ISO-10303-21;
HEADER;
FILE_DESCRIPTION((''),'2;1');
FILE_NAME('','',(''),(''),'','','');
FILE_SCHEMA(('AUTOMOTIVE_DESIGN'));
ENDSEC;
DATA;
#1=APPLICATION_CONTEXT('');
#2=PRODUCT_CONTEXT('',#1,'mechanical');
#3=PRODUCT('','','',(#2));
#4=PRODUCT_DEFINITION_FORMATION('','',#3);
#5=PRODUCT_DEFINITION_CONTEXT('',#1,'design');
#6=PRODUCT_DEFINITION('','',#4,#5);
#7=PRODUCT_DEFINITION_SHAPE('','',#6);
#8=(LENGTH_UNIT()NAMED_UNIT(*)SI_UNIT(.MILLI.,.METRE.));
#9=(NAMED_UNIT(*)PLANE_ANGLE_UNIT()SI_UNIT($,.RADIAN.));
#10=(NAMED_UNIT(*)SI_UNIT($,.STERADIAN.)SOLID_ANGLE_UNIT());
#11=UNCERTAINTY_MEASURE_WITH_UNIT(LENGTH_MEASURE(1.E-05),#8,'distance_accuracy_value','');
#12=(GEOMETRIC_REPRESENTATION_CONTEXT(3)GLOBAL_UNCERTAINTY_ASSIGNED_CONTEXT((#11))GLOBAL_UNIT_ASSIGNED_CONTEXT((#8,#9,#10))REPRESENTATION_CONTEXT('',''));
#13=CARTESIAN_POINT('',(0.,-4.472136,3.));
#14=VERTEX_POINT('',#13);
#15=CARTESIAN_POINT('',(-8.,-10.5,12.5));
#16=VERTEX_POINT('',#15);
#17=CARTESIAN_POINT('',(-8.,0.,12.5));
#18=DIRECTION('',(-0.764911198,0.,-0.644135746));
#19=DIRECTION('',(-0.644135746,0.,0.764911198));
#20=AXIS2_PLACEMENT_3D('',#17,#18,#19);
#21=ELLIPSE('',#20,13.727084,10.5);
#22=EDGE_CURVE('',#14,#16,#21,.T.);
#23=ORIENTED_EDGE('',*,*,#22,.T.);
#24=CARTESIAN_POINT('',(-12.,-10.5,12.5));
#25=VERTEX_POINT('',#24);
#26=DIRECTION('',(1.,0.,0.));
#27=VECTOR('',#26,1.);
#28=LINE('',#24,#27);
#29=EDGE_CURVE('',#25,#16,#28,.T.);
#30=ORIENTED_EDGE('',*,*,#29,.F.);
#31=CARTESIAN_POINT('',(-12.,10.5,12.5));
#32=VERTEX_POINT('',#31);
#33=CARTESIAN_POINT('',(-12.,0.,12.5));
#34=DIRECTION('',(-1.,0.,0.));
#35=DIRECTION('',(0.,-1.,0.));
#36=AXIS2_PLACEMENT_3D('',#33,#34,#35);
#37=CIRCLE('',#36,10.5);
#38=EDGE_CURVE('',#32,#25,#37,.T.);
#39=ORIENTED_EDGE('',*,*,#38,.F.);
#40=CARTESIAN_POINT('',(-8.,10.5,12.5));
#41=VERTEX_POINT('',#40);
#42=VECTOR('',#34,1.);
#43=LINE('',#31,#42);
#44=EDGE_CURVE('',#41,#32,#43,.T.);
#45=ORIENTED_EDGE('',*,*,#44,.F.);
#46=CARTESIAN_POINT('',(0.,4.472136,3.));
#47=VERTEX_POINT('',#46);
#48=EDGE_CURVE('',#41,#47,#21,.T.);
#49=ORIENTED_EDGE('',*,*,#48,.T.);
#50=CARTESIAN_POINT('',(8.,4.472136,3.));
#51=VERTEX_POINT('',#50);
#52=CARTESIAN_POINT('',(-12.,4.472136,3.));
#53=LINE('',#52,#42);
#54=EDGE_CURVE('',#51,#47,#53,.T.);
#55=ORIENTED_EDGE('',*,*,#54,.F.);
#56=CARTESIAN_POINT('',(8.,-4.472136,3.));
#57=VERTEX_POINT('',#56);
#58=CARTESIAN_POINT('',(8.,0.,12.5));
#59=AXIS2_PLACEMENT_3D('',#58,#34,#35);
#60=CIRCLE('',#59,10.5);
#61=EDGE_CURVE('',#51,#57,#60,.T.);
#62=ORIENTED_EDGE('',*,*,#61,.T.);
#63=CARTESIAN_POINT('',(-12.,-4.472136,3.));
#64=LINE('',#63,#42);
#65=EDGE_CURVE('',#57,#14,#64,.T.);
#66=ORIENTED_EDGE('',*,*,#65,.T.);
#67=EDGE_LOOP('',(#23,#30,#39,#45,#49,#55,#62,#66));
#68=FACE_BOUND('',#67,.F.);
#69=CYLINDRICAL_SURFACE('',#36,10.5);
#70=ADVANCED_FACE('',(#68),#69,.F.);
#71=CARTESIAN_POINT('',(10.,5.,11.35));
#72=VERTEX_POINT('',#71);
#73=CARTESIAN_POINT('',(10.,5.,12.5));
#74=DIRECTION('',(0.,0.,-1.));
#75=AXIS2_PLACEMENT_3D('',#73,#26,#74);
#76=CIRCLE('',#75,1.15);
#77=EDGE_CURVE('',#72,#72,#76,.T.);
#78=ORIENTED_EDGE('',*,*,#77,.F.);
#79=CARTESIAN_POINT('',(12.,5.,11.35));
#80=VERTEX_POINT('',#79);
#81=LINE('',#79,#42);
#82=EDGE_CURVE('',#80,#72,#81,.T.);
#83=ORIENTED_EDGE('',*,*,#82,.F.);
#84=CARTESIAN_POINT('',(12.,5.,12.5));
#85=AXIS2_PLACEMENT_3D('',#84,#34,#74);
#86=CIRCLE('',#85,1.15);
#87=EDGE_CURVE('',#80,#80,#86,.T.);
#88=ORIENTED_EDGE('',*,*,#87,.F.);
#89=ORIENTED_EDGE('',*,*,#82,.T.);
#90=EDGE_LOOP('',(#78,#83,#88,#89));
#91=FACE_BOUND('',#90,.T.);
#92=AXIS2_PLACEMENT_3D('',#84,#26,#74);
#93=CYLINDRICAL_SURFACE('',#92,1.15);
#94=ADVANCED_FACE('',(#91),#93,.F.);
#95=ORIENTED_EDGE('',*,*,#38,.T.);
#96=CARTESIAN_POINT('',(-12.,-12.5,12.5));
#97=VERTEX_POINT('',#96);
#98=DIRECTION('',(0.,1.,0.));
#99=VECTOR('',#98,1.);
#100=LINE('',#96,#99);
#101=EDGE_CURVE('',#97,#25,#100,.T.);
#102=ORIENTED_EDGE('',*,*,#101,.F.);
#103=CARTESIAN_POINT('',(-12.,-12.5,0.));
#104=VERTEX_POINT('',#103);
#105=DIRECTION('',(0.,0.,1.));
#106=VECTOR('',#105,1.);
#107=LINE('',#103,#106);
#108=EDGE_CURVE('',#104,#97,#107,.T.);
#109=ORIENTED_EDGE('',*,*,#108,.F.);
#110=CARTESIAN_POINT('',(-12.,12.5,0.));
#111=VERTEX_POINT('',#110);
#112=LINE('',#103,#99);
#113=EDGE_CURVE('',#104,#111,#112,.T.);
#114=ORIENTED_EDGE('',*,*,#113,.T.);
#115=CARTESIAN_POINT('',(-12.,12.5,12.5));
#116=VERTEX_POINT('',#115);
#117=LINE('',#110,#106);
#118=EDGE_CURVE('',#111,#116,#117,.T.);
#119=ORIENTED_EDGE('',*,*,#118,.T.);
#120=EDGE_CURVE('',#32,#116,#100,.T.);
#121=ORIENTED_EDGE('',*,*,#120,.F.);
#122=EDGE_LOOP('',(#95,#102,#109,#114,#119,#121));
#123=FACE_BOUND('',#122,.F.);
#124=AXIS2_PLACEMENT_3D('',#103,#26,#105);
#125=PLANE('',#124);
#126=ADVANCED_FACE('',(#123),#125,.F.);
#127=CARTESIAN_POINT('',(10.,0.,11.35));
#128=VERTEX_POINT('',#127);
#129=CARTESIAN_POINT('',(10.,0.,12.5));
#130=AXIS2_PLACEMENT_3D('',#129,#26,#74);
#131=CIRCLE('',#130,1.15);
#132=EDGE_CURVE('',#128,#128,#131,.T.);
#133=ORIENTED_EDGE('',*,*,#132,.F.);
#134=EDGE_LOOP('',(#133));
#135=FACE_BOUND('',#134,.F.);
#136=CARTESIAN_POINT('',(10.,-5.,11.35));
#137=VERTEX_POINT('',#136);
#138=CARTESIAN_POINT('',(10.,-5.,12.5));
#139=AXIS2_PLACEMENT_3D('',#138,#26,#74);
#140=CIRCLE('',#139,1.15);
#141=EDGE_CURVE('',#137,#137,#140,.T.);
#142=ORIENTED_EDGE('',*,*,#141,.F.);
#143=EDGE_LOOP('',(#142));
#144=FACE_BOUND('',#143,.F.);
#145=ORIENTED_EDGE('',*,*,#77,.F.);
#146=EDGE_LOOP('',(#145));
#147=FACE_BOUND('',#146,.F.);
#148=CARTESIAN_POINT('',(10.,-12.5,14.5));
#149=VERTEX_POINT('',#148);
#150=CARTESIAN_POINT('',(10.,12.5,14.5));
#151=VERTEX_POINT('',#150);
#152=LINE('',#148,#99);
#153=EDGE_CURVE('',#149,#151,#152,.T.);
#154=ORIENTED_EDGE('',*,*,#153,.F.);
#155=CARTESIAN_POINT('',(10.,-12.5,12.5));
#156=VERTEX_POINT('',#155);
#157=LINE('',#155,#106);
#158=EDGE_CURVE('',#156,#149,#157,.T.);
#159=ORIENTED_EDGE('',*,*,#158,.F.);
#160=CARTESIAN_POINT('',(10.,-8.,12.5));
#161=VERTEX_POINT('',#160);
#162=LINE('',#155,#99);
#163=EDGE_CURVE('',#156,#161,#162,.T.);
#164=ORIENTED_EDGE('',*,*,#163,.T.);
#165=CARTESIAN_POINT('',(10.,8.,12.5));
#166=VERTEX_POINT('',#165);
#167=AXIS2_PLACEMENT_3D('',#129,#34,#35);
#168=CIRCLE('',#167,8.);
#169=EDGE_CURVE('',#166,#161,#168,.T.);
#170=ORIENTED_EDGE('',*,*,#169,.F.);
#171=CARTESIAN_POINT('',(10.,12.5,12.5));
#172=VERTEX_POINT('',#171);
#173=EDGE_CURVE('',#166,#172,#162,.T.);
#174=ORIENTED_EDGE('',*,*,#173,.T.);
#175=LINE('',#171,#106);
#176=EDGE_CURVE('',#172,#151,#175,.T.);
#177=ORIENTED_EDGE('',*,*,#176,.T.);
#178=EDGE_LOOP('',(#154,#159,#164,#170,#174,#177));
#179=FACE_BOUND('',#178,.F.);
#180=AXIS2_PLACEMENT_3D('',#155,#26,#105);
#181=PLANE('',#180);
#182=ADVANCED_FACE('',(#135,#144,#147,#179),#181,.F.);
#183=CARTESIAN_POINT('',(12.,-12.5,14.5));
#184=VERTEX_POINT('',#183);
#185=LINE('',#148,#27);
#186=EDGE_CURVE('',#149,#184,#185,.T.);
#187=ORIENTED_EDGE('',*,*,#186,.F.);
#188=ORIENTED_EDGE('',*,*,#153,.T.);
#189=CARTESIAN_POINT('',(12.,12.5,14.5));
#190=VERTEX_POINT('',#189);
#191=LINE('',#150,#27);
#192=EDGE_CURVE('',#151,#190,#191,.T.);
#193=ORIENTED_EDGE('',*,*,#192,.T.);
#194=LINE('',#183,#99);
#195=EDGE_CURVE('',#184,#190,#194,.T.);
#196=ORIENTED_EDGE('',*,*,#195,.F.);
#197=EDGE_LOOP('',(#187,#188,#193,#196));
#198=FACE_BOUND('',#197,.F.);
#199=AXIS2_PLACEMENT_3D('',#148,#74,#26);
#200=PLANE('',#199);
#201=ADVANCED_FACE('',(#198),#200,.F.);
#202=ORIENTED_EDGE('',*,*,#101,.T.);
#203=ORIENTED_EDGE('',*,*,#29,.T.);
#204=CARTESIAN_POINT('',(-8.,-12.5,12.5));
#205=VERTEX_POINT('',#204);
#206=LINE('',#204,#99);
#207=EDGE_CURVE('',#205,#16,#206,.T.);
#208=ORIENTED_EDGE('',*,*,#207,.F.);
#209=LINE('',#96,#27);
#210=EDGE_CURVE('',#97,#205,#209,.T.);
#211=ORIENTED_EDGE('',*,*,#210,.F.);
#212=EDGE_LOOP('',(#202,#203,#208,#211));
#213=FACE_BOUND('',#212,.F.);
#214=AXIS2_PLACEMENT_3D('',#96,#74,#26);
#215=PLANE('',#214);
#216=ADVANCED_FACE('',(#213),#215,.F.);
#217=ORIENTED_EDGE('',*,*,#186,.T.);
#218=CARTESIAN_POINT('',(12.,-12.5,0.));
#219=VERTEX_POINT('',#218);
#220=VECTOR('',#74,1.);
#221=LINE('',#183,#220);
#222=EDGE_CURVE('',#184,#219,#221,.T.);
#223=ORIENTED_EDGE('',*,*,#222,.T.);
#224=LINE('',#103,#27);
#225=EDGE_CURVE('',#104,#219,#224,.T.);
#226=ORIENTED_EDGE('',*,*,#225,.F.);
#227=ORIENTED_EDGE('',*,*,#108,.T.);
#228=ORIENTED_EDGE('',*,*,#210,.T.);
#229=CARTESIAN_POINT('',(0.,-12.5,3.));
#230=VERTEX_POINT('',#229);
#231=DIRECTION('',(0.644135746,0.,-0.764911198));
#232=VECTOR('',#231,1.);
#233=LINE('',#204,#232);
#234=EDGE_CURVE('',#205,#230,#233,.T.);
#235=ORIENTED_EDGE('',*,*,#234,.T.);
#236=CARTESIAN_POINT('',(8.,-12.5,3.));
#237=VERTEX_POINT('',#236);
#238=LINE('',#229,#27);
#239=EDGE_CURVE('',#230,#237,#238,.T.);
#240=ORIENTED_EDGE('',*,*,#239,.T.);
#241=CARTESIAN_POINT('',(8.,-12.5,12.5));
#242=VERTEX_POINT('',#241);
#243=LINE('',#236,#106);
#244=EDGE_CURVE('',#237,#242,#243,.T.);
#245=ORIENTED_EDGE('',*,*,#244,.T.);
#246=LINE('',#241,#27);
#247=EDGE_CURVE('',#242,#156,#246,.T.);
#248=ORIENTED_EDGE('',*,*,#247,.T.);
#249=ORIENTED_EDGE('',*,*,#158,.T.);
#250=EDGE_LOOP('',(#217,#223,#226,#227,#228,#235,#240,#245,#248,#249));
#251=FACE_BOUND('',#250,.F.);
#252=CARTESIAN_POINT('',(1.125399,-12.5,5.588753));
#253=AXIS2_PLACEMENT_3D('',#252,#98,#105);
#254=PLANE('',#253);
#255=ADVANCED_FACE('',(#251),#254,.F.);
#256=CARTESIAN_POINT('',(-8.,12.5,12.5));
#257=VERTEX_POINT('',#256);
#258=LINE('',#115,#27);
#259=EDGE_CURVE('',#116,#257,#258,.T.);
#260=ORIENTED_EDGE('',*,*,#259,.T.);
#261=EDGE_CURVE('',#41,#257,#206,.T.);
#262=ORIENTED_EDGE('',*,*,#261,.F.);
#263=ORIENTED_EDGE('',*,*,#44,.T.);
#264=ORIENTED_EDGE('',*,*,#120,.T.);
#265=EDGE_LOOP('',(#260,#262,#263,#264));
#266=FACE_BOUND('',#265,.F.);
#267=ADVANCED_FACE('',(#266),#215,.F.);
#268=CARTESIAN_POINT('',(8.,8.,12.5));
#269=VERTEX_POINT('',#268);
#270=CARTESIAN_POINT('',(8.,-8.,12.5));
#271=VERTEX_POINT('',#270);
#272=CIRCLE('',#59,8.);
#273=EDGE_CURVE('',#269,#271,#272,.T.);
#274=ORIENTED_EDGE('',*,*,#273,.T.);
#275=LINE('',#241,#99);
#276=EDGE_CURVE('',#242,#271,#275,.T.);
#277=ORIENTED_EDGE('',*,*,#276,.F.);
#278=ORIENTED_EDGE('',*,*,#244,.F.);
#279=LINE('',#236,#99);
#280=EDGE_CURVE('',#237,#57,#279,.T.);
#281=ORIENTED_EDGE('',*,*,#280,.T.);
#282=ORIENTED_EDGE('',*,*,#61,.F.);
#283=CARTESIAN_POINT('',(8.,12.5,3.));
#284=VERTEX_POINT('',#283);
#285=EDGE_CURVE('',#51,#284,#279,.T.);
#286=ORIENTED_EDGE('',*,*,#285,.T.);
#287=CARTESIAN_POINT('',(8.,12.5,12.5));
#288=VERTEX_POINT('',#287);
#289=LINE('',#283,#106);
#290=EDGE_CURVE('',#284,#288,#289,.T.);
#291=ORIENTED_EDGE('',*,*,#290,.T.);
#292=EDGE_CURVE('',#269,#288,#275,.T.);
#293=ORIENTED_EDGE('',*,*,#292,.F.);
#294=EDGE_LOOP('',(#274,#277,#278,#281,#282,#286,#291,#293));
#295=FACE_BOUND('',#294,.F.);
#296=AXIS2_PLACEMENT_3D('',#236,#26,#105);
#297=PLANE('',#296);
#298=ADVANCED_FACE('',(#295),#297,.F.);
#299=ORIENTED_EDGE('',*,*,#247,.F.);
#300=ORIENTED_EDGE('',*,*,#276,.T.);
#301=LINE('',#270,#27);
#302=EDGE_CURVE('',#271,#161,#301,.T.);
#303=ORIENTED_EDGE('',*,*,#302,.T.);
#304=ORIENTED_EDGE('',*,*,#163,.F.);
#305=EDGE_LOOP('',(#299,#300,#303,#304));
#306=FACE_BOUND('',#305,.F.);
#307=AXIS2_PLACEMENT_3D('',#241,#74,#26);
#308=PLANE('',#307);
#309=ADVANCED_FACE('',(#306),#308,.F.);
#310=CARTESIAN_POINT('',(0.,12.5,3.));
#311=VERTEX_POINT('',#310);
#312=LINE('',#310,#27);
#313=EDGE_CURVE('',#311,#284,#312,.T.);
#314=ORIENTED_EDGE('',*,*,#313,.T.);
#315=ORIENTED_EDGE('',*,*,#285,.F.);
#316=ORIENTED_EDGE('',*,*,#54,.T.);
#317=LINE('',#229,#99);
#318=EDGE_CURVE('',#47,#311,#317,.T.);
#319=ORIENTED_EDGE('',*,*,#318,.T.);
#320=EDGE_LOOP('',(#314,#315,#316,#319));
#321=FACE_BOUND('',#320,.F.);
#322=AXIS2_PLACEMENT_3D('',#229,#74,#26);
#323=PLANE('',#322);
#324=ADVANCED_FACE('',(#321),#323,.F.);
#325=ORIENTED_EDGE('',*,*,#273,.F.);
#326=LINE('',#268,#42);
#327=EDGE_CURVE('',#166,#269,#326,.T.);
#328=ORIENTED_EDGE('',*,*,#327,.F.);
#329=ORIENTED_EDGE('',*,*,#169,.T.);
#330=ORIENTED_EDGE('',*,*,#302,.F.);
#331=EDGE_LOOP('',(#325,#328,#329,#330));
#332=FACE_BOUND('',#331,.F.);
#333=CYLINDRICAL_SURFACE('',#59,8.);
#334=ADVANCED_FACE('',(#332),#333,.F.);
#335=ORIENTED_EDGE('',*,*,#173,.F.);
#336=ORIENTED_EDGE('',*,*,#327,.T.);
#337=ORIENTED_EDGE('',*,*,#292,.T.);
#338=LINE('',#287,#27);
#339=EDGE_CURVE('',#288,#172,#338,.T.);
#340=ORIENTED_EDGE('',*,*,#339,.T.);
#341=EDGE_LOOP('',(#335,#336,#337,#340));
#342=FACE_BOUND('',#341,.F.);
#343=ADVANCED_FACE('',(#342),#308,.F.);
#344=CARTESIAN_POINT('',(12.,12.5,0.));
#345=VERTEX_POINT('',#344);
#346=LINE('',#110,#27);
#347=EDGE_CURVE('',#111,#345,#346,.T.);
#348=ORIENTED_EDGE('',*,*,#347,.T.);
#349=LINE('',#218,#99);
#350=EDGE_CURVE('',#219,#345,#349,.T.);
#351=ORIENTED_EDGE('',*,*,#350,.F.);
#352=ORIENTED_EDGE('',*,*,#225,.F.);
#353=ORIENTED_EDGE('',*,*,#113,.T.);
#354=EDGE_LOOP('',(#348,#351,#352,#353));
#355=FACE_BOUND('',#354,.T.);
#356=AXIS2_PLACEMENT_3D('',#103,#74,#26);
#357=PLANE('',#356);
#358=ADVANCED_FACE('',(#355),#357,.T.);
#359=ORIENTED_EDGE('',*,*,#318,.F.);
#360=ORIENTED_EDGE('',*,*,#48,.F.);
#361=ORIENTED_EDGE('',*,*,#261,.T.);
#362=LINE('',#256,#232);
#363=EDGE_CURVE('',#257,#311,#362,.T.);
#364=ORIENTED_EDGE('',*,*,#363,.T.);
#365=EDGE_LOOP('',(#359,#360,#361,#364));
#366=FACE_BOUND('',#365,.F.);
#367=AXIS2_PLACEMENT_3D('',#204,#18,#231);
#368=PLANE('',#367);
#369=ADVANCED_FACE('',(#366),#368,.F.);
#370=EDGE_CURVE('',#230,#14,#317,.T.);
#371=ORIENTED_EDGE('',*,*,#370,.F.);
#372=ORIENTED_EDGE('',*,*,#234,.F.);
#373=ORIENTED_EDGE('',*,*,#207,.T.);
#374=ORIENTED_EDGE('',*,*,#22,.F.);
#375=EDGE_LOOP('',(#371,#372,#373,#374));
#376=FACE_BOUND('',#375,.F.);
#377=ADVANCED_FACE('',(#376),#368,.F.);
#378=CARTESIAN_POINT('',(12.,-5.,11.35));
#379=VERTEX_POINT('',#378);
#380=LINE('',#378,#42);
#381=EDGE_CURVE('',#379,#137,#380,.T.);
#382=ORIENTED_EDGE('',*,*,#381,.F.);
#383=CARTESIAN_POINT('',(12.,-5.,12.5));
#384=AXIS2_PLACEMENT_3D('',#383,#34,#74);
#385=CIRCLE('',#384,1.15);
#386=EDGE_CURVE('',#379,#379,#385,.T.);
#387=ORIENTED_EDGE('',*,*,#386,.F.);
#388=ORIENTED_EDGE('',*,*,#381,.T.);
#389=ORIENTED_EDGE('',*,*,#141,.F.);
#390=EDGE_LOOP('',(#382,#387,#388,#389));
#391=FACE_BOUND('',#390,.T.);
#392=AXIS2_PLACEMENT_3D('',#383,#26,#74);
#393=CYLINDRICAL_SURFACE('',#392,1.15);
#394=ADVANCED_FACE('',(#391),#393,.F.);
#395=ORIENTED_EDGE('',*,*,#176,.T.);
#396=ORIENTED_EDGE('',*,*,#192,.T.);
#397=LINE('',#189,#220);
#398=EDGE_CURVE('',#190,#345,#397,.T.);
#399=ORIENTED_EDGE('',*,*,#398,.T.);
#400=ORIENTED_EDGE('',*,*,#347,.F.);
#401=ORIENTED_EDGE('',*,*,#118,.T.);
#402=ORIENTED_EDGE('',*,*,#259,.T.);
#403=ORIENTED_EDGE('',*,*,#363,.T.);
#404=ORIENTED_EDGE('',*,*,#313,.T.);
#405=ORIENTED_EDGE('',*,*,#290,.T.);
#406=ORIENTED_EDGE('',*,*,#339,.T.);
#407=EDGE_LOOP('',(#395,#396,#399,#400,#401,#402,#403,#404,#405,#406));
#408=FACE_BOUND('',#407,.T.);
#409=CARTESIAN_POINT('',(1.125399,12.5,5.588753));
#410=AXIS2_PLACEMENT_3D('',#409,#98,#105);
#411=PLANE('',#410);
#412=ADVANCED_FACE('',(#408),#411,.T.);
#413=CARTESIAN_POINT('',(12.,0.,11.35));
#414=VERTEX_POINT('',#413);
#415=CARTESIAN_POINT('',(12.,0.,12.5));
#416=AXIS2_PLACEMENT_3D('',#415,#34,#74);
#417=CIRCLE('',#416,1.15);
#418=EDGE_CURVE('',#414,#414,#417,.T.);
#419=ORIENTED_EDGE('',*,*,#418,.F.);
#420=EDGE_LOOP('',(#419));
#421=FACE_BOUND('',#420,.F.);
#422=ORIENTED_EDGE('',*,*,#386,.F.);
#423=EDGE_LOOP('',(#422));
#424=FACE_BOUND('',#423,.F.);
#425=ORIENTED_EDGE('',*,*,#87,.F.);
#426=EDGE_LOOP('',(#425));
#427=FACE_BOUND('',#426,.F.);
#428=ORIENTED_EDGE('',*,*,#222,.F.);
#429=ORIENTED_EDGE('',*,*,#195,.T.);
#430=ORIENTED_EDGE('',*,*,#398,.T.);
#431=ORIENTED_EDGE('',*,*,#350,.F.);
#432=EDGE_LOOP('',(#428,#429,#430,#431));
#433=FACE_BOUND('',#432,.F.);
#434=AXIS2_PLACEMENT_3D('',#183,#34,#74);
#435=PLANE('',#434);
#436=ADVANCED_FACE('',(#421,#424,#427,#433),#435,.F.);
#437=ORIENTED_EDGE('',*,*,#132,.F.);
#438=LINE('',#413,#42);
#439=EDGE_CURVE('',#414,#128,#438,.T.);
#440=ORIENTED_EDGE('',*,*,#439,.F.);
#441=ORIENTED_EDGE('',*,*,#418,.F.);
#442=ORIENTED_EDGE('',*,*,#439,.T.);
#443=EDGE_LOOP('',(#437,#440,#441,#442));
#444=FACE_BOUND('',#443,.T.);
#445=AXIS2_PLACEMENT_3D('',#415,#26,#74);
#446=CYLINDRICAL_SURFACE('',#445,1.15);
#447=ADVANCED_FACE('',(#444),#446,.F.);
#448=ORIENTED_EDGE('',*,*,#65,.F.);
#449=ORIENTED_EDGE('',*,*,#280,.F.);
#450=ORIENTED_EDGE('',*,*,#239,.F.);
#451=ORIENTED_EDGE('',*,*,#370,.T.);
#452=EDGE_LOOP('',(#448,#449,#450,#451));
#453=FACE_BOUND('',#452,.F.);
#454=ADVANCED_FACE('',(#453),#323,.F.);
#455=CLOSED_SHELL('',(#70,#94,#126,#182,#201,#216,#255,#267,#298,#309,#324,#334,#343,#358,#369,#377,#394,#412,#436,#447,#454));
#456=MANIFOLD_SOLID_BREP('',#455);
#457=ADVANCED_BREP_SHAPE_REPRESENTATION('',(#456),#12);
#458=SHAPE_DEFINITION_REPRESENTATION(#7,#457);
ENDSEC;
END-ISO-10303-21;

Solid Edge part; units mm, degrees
sketch "Sketch1" plane through (0, -12.5, 0) normal (0, -1, 0) x (1, 0, 0)
  line L0 (-12, 0) -> (-12, 12.5)
  line L1 (-12, 12.5) -> (-8, 12.5)
  line L2 (-8, 12.5) -> (0, 3)
  line L3 (0, 3) -> (8, 3)
  line L4 (8, 3) -> (8, 12.5)
  line L5 (8, 12.5) -> (10, 12.5)
  line L6 (10, 12.5) -> (10, 14.5)
  line L7 (10, 14.5) -> (12, 14.5)
  line L8 (12, 14.5) -> (12, 0)
  line L9 (-12, 0) -> (12, 0)
extrude "Protrusion1" add sketch "Sketch1" against normal up to vertex (25 mm away)
sketch "Sketch2" plane through (-12, 0, 6.25) normal (-1, 0, 0) x (0, -1, 0)
  circle A0 centre (0, 6.25) radius 10.5
extrude "Cutout1" cut sketch "Sketch2" against normal up to vertex (20 mm away)
sketch "Sketch3" plane through (8, 0, 7.75) normal (-1, 0, 0) x (0, -1, 0)
  circle A0 centre (0, 4.75) radius 8
extrude "Cutout2" cut sketch "Sketch3" against normal blind 2
hole "Hole_4" at (12, 5, 12.5) direction (-1, 0, 0) diameter 2.3 end up to next
hole "Hole1" at (12, 0, 12.5) direction (-1, 0, 0) diameter 2.3 end up to next
hole "Hole2" at (12, -5, 12.5) direction (-1, 0, 0) diameter 2.3 end up to next
